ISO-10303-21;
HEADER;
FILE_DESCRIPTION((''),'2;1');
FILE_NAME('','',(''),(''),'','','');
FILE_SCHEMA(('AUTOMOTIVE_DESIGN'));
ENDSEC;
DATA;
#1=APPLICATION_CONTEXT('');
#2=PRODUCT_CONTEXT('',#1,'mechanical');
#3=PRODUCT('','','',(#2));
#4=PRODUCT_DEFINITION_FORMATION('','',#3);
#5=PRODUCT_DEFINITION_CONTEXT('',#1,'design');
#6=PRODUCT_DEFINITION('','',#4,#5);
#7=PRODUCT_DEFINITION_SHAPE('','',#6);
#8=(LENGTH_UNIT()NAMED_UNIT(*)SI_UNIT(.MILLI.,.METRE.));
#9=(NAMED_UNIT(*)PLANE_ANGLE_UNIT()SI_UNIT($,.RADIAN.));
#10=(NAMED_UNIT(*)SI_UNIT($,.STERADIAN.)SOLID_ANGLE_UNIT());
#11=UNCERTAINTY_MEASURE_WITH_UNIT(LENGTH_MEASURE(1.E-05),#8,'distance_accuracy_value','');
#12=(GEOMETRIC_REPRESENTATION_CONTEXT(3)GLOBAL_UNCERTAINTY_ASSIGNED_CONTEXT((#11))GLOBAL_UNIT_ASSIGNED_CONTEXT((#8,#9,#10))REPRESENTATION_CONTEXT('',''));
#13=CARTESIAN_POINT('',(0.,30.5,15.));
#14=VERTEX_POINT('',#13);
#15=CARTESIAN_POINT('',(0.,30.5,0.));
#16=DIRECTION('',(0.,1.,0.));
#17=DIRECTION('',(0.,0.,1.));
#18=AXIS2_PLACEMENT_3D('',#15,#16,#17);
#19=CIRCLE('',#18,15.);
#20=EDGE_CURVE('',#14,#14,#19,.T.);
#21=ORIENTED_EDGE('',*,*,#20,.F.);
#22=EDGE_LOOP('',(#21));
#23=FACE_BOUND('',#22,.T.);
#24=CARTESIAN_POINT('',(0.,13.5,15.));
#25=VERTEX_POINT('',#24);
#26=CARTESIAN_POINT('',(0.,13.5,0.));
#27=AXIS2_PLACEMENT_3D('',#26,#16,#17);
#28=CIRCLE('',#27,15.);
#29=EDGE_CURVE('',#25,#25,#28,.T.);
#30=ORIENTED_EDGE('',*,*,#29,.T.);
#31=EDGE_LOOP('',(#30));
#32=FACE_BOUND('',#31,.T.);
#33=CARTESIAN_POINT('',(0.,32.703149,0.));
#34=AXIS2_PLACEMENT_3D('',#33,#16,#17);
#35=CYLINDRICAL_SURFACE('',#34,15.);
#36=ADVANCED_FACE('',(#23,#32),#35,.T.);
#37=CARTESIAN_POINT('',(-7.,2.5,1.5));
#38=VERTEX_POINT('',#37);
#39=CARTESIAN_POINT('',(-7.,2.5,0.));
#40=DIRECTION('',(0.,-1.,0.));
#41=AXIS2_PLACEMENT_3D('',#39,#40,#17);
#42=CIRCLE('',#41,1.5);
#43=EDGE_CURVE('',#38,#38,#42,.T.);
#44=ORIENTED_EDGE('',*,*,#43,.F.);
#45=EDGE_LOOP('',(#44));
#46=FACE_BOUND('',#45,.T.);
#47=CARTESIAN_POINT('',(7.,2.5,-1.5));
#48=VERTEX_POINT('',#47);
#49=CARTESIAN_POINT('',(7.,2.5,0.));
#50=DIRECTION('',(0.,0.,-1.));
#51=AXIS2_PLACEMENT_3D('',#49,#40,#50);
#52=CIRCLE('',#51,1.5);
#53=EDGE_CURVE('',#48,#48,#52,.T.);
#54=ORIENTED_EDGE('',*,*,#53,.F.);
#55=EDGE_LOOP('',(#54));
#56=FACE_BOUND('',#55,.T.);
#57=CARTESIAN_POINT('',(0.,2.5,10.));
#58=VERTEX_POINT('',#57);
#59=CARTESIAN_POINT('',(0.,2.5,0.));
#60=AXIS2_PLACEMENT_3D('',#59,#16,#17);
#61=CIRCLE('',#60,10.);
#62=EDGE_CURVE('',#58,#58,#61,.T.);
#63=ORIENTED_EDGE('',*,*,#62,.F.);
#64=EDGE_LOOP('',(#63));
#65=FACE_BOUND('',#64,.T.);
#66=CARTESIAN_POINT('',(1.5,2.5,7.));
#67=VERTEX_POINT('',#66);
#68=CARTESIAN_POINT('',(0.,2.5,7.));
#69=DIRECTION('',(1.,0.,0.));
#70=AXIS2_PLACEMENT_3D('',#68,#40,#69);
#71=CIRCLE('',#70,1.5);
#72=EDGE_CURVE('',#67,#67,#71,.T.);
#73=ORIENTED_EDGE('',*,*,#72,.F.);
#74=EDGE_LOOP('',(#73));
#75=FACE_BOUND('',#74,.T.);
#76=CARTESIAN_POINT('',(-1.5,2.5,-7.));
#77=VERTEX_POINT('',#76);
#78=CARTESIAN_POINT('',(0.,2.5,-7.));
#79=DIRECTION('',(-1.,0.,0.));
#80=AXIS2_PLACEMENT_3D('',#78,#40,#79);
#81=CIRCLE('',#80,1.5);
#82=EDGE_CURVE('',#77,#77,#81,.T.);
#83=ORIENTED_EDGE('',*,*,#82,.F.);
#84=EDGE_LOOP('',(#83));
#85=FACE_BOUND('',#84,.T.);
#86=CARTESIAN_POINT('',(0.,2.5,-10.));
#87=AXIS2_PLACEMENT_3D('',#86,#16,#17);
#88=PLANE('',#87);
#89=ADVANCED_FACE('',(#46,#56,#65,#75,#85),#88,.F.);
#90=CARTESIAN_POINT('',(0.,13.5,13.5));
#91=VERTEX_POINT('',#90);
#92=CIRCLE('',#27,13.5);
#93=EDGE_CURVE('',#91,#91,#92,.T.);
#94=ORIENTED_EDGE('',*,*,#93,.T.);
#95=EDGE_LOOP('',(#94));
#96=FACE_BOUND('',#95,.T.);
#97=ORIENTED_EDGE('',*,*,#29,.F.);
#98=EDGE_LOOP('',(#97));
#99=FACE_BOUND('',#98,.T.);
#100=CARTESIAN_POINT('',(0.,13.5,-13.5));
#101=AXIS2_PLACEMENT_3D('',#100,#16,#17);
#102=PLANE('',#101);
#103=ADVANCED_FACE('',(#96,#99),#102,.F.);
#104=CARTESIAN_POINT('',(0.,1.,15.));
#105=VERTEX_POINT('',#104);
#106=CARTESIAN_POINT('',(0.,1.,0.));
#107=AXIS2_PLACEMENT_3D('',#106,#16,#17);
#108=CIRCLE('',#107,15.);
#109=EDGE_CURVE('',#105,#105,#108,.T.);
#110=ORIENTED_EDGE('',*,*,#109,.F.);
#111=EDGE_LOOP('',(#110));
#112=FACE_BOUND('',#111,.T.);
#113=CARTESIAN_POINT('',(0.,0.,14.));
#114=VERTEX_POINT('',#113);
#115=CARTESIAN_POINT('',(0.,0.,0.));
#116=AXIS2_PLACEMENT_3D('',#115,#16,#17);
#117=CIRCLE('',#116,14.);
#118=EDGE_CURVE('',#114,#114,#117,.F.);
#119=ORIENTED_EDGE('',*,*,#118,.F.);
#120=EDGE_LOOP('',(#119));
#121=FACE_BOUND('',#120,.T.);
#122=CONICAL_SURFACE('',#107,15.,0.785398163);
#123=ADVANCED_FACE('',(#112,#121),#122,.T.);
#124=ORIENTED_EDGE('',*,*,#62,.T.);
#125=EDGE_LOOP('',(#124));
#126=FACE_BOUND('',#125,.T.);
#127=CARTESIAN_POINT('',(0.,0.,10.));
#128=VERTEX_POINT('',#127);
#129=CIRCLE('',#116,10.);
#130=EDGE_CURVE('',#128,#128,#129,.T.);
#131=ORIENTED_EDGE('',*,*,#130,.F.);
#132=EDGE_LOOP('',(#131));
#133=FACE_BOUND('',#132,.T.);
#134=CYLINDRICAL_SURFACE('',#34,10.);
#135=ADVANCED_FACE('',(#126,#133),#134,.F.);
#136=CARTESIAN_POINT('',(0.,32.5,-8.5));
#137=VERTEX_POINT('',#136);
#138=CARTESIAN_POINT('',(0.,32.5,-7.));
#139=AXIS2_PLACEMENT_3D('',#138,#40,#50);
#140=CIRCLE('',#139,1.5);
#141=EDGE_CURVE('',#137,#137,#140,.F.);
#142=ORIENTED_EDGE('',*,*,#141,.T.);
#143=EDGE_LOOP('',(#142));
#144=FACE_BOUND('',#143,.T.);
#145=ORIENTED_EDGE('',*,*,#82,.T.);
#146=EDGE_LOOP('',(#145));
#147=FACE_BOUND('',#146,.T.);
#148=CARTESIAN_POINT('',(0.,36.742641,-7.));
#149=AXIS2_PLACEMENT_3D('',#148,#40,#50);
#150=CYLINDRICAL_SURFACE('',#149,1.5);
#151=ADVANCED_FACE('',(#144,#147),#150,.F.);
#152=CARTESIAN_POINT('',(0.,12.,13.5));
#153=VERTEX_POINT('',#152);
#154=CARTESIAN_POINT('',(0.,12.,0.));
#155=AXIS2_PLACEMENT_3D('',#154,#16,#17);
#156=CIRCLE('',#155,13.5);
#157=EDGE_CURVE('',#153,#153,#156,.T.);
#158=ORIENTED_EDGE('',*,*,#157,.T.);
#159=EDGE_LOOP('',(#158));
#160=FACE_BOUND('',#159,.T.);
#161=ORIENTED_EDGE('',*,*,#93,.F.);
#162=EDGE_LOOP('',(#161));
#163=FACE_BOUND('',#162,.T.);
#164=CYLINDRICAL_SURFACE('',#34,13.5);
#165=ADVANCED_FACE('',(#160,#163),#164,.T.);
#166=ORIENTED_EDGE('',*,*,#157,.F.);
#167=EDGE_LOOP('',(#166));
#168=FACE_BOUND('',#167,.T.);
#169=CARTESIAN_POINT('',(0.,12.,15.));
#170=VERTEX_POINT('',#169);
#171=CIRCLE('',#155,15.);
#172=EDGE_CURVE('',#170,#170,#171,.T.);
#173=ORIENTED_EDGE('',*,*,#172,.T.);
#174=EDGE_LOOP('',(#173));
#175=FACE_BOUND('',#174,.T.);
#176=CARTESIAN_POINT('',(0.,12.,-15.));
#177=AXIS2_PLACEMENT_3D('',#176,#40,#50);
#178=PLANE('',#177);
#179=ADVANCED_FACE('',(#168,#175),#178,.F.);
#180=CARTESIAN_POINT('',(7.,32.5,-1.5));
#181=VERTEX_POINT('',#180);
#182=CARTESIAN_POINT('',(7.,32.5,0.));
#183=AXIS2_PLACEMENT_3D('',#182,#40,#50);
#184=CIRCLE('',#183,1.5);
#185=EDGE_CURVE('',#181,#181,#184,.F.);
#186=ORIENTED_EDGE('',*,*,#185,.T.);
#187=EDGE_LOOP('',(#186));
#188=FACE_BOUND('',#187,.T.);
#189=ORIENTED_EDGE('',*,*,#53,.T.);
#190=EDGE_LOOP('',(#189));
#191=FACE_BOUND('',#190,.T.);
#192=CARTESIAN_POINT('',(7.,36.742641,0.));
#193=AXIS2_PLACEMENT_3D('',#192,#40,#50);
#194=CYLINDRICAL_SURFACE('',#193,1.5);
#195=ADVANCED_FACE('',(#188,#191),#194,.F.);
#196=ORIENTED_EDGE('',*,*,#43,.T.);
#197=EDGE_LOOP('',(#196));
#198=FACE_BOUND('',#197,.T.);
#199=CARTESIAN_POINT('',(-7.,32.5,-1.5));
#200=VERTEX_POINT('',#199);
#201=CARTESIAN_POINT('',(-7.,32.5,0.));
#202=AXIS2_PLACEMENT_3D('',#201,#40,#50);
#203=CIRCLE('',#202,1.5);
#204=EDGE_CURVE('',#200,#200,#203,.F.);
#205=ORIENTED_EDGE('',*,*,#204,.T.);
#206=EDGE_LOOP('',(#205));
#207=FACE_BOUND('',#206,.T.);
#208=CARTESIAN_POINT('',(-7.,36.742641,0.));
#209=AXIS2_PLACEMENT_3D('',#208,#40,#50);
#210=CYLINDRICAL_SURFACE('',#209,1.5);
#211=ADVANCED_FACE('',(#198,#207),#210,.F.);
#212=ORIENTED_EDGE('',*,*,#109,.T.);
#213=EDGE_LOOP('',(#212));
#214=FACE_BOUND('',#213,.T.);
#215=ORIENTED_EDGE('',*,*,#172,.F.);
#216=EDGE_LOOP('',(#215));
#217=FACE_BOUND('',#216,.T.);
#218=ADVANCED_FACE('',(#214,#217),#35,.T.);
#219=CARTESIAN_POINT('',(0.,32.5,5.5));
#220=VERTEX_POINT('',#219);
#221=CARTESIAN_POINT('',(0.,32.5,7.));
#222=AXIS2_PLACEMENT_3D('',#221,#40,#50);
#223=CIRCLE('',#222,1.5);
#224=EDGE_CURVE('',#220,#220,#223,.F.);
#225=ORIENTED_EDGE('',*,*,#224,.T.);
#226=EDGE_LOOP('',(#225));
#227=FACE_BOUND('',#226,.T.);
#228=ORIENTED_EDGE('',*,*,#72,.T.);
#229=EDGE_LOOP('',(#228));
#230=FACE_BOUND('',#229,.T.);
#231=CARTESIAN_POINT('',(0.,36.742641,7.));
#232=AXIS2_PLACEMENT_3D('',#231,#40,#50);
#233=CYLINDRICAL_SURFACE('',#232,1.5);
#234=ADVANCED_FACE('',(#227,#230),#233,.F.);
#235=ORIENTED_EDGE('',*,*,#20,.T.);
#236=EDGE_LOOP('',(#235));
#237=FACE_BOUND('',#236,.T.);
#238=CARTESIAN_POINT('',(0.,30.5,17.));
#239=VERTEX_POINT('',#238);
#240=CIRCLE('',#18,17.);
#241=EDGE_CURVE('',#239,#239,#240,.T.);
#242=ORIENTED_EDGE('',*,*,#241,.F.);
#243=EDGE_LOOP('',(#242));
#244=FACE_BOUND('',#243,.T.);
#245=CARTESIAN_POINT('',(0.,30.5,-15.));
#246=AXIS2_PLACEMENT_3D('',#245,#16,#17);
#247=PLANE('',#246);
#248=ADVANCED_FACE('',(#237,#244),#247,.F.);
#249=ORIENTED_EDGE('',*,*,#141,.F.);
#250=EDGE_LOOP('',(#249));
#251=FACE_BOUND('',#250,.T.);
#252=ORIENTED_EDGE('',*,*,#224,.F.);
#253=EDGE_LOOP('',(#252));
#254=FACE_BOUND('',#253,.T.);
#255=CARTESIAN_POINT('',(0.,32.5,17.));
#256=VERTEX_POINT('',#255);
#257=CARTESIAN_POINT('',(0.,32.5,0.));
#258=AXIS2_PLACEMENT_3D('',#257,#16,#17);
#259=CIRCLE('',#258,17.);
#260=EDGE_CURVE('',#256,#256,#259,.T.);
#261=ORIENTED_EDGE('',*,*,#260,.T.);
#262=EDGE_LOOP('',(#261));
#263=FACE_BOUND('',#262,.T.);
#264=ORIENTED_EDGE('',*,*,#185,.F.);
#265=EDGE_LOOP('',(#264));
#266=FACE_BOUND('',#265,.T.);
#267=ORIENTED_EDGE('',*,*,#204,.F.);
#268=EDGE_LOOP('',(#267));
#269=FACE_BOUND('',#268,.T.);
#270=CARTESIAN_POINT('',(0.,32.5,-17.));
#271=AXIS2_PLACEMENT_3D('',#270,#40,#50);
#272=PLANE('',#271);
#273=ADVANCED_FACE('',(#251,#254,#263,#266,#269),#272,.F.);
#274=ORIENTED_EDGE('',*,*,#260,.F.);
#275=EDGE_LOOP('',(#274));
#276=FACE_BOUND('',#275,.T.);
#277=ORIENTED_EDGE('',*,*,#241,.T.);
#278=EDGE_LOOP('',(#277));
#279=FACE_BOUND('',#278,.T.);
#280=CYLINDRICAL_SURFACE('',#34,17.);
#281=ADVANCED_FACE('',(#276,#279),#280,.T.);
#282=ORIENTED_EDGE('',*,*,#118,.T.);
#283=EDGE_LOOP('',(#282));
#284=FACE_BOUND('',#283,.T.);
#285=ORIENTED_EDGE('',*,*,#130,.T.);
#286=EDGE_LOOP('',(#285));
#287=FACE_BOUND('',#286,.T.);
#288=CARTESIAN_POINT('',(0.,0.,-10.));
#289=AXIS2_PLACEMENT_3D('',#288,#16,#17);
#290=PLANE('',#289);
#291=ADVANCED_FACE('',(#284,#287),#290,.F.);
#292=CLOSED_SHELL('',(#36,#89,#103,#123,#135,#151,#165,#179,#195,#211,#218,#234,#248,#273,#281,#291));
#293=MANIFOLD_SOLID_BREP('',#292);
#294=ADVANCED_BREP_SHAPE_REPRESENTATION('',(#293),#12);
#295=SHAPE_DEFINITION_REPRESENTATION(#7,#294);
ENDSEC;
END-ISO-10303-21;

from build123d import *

# Parameters (mm, degrees)
CHAMFER_1_SIZE           = 1
SKETCH_8_R               = 1.5
CUT_EXTRUDE_1_DEPTH      = 30
PATTERN_CIRCULAR_1_COUNT = 4


with BuildPart() as part:
    # Эскиз7 → Повернуть1 (revolve)
    with BuildSketch(Plane(origin=(0, 0, 0), x_dir=(0, 0, -1), z_dir=(1, 0, 0)), mode=Mode.PRIVATE) as revolve_1_sk:
        Polygon((10, 0), (15, 0), (15, 12), (13.5, 12), (13.5, 13.5), (15, 13.5), (15, 30.5), (17, 30.5), (17, 32.5), (0, 32.5), (0, 2.5), (10, 2.5), align=None)
    revolve(revolve_1_sk.sketch.rotate(Axis((0, 32.703148984, 0), (0, -1, 0)), 180), axis=Axis((0, 32.703148984, 0), (0, -1, 0)))

    # Фаска1
    chamfer_1_edges = [part.edges().sort_by_distance(p)[0] for p in [
        (0, 0, -15),
    ]]
    chamfer(chamfer_1_edges, length=CHAMFER_1_SIZE)

    # Эскиз8 → Вырез-Вытянуть1 (cut)
    with BuildSketch(Plane.XZ.offset(-2.5)):
        with Locations(Location((7, 0, 0), (0, 0, 270))):
            Circle(SKETCH_8_R)
    cut_extrude_1 = extrude(amount=-CUT_EXTRUDE_1_DEPTH, mode=Mode.SUBTRACT)

    # Круговой массив1: Вырез-Вытянуть1 ×4 about axis
    pattern_circular_1_axis = Axis((0, 0, 0), (0, 1, 0))
    for i in range(1, PATTERN_CIRCULAR_1_COUNT):
        add(cut_extrude_1.rotate(pattern_circular_1_axis, i * 360 / PATTERN_CIRCULAR_1_COUNT), mode=Mode.SUBTRACT)


solid = part.part
